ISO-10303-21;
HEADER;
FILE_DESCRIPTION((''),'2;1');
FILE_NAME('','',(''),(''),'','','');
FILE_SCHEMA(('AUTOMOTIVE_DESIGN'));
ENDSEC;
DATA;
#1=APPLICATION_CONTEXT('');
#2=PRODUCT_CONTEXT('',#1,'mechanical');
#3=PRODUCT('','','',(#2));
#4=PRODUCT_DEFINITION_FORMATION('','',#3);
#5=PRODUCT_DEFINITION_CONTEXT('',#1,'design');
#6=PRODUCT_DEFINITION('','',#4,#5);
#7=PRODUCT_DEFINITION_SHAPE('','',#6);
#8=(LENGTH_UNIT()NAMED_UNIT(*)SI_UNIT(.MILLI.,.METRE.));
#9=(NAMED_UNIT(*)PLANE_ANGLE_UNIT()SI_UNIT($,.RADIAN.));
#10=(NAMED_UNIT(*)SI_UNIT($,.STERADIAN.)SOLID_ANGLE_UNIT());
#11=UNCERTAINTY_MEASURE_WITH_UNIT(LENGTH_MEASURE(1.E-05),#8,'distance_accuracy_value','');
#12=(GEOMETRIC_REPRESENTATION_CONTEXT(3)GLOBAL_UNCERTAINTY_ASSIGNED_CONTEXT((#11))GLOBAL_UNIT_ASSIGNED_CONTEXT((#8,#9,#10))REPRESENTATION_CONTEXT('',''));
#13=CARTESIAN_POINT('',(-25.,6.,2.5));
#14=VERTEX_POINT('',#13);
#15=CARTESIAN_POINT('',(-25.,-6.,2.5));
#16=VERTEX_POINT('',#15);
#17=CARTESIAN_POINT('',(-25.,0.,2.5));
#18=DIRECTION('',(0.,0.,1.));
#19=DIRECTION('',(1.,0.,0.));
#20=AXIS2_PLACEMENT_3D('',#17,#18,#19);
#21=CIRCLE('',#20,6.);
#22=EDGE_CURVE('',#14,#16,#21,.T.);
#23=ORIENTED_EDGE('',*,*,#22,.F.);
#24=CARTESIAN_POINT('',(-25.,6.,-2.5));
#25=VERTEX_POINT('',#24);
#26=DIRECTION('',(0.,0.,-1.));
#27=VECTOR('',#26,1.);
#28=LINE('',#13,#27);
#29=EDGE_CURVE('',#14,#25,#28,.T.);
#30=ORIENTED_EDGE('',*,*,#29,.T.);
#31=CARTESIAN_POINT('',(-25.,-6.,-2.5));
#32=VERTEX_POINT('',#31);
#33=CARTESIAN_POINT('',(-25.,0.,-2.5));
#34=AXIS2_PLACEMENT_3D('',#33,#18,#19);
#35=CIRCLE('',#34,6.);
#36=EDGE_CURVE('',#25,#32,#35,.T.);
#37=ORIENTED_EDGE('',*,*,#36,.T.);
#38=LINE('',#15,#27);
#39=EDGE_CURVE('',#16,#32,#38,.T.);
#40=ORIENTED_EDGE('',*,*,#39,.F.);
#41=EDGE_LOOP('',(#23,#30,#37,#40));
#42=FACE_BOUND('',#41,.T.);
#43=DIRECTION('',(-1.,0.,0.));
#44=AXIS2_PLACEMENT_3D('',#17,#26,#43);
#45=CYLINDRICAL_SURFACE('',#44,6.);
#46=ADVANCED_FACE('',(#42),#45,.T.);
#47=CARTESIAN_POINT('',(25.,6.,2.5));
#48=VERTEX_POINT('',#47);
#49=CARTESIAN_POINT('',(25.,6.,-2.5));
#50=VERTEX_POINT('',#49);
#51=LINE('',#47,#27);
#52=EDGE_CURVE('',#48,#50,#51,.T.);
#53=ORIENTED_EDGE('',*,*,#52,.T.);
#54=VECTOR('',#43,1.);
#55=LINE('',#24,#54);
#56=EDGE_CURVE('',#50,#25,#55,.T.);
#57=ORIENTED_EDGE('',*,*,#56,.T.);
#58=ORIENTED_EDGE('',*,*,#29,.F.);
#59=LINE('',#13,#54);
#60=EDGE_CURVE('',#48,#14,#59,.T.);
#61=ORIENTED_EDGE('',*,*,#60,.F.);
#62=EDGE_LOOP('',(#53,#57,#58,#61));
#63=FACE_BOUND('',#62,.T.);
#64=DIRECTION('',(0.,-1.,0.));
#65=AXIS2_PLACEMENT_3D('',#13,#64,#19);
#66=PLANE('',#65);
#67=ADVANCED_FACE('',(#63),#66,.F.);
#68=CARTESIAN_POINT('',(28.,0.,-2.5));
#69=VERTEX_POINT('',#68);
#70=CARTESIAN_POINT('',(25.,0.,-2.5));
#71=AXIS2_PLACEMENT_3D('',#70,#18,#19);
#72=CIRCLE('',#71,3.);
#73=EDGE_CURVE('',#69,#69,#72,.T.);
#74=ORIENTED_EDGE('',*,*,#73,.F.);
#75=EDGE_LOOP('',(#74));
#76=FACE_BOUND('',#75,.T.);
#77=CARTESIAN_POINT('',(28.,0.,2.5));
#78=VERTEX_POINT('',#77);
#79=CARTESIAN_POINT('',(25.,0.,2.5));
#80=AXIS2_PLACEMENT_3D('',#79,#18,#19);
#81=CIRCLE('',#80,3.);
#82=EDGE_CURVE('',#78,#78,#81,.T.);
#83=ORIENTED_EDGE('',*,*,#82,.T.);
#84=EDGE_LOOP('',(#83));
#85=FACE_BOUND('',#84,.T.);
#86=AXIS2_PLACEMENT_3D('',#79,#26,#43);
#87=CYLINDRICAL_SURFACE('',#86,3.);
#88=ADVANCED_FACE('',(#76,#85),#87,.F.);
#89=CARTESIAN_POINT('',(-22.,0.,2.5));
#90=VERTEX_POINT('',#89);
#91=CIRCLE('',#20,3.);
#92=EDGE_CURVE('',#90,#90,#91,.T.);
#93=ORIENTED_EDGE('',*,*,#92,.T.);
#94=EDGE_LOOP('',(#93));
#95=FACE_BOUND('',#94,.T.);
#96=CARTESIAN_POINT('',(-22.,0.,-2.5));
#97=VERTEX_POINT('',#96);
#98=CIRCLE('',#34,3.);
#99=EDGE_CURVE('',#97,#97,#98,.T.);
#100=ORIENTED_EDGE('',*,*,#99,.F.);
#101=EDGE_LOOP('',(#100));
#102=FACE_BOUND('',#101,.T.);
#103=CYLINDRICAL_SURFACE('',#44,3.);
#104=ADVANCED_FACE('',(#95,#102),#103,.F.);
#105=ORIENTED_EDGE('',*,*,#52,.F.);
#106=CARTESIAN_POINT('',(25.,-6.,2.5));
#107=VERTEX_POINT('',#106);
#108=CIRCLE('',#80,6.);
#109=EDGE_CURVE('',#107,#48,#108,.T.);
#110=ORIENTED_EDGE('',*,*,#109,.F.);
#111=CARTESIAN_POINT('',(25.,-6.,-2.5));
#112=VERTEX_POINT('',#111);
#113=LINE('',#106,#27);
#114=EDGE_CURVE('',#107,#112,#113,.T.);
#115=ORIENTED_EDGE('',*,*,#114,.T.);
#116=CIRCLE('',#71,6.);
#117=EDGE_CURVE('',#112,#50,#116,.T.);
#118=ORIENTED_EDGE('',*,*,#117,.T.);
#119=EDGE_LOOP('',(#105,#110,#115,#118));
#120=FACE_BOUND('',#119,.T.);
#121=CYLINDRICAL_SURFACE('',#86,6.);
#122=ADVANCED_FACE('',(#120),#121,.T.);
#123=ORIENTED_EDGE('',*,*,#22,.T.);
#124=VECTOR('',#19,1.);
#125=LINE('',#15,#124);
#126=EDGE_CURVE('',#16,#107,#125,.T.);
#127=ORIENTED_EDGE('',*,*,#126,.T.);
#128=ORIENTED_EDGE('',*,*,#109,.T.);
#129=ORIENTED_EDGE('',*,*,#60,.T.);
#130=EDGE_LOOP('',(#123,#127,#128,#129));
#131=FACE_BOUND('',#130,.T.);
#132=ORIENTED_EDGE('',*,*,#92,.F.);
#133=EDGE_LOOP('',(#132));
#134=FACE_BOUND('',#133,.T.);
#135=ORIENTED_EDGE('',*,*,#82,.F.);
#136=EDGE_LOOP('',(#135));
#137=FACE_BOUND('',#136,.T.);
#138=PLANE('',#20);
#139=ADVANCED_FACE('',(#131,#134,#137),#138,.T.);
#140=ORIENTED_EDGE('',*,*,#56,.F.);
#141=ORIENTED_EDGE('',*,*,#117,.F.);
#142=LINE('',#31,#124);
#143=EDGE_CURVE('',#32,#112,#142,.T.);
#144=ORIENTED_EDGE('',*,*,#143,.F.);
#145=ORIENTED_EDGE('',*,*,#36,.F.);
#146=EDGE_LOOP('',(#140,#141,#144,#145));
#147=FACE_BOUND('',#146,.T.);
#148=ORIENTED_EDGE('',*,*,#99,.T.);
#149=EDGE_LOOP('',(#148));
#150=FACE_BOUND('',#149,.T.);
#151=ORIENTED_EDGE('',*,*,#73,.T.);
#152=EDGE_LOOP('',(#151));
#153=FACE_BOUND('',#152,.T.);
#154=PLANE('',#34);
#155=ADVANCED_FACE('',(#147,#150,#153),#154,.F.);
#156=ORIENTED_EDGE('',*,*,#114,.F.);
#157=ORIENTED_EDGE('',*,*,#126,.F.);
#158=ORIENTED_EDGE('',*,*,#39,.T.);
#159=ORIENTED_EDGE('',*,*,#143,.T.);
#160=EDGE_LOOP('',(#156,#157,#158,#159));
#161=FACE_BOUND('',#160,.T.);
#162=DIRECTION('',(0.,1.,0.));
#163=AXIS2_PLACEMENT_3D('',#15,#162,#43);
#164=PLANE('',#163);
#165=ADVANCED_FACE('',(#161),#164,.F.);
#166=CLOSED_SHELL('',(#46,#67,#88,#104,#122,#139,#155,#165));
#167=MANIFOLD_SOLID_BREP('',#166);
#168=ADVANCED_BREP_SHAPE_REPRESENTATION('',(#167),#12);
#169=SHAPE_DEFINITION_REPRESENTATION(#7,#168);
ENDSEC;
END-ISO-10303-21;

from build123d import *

# Parameters (mm, degrees)
SKETCH1_R           = 3
BOSS_EXTRUDE1_DEPTH = 2.5


with BuildPart() as part:
    # Sketch1 → Boss-Extrude1 (new, symmetric)
    with BuildSketch(Plane.XY):
        with BuildLine():
            Line((-25, 6), (25, 6))
            ThreePointArc((25, 6), (31, 0), (25, -6))
            Line((25, -6), (-25, -6))
            ThreePointArc((-25, -6), (-31, 0), (-25, 6))
        make_face()
        with Locations((-25, 0)):
            Circle(SKETCH1_R, mode=Mode.SUBTRACT)
        with Locations((25, 0)):
            Circle(SKETCH1_R, mode=Mode.SUBTRACT)
    extrude(amount=BOSS_EXTRUDE1_DEPTH, both=True)


solid = part.part
